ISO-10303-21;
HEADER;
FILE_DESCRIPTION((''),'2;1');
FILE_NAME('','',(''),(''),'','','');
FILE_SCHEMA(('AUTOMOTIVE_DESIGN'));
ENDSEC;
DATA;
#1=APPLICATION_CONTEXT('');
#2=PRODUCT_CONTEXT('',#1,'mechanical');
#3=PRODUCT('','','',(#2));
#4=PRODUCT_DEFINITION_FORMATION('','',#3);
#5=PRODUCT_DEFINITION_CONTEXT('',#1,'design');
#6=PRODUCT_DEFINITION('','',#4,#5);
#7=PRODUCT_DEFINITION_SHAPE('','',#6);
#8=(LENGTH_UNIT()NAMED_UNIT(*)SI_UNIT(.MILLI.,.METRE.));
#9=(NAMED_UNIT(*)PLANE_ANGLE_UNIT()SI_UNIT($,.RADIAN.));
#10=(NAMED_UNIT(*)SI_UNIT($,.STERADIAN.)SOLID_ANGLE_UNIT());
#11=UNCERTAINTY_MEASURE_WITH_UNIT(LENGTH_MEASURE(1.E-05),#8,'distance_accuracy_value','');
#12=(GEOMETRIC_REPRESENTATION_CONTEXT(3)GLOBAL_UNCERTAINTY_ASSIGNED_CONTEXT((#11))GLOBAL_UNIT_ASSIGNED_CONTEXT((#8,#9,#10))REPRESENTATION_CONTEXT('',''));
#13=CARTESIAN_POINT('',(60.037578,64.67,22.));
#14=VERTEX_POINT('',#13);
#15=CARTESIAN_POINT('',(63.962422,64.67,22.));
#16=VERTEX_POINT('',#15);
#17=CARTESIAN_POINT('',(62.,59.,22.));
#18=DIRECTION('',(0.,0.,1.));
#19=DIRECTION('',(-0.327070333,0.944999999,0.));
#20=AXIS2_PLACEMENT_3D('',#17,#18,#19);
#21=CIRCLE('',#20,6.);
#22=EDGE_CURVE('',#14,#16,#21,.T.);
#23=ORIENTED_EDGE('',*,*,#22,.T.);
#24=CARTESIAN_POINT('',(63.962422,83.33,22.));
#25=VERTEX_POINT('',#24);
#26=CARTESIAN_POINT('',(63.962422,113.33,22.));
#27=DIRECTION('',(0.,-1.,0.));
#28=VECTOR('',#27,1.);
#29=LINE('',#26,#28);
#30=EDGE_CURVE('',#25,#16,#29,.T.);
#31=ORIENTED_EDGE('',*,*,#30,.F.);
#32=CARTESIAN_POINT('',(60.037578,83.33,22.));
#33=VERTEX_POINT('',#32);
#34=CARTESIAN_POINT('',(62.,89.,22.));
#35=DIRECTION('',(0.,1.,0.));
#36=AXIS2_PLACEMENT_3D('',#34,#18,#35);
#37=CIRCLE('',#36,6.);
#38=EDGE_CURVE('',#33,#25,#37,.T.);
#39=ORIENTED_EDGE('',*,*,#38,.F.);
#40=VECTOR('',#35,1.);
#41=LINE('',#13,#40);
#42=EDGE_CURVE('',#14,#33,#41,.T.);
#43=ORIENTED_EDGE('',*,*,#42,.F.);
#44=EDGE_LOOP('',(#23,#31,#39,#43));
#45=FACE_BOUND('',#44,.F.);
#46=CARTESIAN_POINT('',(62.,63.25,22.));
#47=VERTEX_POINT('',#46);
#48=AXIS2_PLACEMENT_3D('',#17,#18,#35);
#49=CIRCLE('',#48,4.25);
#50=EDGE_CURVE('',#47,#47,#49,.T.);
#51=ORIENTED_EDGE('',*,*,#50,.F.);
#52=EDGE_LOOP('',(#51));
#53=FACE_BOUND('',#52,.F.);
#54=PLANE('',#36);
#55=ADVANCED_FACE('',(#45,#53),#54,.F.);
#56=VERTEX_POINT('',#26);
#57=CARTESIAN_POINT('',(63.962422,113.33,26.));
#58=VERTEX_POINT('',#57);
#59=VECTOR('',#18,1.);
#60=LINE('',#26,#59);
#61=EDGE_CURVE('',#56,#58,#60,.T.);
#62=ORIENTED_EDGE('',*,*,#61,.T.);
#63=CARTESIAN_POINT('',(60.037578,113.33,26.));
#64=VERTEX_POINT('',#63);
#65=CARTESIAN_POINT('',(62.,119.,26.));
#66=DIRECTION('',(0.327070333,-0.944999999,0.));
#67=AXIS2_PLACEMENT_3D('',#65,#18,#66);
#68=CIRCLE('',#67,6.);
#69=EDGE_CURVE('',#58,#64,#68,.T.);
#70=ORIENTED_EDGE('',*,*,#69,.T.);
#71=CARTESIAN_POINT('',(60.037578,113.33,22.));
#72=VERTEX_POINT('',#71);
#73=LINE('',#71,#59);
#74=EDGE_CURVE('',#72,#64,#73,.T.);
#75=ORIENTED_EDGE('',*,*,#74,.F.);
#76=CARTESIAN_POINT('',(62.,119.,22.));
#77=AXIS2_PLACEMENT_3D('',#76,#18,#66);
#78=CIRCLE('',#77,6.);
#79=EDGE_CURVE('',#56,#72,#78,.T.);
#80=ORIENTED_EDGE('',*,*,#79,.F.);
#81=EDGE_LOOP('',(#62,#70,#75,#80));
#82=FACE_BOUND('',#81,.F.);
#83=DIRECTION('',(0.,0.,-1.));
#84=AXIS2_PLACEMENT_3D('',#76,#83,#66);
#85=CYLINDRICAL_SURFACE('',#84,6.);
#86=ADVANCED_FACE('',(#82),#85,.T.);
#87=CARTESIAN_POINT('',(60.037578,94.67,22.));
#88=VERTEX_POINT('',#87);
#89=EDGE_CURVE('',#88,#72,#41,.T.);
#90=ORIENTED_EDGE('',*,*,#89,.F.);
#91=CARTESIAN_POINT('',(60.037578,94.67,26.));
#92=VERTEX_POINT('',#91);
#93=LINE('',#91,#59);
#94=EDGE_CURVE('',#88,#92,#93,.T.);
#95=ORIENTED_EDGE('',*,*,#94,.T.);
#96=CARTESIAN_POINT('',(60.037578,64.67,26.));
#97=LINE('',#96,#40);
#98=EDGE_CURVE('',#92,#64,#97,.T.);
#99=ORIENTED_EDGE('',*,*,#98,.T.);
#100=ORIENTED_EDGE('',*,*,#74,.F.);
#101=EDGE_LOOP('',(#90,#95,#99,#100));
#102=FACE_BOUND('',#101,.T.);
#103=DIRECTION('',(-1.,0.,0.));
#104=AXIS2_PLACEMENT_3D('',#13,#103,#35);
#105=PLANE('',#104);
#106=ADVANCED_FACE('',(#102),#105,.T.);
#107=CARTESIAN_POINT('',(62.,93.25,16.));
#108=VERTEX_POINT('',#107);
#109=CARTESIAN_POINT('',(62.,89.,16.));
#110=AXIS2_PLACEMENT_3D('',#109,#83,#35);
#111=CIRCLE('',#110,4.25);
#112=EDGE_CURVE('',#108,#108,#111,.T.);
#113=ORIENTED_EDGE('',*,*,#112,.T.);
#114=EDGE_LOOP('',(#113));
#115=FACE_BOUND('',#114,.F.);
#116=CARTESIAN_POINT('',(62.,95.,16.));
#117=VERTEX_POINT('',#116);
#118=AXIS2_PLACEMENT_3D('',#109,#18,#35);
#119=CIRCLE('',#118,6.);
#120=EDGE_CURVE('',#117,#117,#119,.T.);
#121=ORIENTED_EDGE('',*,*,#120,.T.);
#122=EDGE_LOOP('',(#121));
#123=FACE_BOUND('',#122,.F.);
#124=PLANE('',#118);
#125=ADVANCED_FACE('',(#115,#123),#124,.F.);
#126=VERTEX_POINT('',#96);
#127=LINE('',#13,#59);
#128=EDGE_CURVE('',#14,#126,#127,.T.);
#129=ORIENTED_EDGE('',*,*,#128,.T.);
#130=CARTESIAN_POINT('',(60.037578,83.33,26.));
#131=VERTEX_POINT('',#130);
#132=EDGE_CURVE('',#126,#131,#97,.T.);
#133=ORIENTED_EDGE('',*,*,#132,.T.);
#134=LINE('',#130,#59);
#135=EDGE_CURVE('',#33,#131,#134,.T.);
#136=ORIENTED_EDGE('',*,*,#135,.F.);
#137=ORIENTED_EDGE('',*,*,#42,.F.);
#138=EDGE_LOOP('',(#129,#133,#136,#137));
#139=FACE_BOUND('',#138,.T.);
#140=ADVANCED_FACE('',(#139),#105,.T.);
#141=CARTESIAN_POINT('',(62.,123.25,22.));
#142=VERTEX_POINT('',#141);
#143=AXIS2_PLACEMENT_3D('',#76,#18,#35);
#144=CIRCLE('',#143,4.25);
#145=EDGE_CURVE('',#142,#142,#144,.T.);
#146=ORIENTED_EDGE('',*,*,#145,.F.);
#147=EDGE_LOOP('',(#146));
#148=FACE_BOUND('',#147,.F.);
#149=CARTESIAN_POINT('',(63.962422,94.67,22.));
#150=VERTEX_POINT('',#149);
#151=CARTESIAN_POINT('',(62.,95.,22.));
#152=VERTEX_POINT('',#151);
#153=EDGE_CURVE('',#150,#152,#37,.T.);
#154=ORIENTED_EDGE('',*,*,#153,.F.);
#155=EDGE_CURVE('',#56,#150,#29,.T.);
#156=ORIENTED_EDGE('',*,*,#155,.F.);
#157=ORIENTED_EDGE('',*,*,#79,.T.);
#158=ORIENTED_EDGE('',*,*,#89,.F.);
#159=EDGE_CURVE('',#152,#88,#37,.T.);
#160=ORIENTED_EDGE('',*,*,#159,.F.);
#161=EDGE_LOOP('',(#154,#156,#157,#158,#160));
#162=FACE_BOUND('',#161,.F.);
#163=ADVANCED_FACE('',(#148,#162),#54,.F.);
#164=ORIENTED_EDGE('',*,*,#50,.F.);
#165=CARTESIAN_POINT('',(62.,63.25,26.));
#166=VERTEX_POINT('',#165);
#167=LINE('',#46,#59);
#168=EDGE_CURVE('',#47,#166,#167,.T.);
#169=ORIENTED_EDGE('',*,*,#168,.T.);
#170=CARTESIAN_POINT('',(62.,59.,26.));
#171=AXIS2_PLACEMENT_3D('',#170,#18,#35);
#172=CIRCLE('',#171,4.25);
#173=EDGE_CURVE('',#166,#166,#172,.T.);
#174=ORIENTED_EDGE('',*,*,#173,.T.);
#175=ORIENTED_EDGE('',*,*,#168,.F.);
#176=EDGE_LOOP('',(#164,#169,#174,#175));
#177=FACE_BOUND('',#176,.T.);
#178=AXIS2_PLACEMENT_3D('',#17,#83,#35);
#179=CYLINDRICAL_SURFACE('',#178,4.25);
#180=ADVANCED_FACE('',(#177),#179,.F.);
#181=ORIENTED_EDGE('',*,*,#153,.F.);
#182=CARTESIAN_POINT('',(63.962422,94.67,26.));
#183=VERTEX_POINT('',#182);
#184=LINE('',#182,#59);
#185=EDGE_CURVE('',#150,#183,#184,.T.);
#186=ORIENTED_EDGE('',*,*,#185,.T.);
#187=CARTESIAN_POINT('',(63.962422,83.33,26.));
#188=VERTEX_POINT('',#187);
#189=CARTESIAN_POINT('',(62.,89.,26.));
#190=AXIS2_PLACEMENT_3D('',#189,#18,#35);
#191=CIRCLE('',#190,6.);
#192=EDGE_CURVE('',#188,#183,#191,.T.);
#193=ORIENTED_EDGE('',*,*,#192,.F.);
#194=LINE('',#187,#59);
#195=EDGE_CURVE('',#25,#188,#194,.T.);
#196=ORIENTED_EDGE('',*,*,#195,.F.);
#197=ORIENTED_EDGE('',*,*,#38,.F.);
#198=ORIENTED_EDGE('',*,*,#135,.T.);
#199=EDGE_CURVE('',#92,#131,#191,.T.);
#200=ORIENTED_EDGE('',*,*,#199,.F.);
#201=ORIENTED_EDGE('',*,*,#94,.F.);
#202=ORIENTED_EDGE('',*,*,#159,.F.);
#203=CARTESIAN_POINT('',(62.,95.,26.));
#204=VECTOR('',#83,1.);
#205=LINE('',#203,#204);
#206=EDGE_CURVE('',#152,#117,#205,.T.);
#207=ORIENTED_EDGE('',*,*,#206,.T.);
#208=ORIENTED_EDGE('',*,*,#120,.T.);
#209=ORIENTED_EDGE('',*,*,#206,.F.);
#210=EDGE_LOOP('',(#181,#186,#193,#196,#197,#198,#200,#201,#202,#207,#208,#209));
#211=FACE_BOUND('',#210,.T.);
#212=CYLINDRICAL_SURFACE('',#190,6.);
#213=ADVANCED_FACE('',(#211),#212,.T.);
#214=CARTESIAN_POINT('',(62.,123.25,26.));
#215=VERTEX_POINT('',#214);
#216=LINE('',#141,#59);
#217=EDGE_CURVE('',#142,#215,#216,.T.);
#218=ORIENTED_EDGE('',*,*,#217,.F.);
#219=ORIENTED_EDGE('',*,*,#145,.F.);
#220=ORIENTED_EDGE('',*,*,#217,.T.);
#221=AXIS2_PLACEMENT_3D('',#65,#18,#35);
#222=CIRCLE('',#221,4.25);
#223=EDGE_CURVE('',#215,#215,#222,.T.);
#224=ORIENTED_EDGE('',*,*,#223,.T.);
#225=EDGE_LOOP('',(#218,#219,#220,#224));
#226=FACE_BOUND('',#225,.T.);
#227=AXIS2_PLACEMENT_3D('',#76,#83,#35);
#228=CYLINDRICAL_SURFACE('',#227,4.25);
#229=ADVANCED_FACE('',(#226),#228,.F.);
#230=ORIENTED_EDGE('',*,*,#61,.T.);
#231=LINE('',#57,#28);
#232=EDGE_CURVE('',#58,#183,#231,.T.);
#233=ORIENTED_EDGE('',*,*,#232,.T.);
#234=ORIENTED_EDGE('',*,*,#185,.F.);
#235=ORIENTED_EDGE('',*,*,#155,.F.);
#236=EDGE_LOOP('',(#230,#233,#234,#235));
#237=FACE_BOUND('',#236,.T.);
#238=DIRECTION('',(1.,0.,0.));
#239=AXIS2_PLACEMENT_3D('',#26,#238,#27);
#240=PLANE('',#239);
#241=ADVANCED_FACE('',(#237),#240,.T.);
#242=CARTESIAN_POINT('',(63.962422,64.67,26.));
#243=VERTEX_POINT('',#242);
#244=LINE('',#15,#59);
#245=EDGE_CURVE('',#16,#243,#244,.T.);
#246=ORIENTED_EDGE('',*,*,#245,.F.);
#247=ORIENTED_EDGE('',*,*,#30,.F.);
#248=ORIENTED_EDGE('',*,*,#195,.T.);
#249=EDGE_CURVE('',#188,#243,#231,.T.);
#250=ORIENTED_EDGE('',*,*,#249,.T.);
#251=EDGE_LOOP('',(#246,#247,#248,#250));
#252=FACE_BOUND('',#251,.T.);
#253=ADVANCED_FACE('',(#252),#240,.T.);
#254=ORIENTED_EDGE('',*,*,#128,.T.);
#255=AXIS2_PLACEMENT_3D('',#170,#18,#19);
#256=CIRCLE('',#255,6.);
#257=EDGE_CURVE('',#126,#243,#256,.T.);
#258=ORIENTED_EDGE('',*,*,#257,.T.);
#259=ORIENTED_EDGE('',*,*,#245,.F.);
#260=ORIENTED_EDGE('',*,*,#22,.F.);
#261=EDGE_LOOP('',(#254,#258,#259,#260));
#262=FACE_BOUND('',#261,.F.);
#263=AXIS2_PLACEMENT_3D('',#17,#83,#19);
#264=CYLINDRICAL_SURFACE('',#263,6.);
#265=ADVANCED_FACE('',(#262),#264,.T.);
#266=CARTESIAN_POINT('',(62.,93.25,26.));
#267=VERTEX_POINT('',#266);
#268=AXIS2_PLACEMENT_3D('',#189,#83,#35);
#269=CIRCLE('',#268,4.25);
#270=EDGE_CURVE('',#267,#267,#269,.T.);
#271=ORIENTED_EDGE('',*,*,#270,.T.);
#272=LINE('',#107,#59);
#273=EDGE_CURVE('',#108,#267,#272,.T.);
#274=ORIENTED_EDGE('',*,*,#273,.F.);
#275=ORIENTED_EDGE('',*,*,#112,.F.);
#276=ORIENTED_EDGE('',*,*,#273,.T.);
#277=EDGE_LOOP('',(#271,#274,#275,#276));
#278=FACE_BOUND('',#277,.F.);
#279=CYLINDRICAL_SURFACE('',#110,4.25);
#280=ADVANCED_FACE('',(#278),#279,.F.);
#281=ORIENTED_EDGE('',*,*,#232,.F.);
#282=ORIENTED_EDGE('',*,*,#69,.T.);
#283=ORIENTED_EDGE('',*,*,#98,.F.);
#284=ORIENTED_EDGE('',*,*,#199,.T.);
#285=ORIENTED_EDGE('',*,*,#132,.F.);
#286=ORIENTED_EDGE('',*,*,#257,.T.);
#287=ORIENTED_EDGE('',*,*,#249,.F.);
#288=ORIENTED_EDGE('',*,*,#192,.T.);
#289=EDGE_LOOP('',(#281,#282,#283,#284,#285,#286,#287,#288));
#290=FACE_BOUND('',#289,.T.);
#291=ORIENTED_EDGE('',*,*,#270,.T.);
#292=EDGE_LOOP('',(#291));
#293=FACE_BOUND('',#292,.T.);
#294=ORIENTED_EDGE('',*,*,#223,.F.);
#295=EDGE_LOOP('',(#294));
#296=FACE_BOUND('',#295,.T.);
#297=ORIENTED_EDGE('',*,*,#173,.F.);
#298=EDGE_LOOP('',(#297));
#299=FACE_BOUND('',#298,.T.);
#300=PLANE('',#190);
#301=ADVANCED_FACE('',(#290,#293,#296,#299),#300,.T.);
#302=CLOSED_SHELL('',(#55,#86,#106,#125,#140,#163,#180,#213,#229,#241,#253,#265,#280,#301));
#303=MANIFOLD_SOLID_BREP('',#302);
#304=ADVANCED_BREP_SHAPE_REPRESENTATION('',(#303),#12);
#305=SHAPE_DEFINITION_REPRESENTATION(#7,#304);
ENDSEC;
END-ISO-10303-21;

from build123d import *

# Parameters (mm, degrees)
SKETCH036_R             = 4.25
PAD014_DEPTH            = 4
SKETCH087_R             = 6
PAD030_DEPTH            = 10
SKETCH088_R             = 4.25
POCKET039_DEPTH         = 10
BODY005_PLACEMENT_ANGLE = 90


with BuildPart() as part:
    # Sketch036 → Pad014 (new body)
    with BuildSketch(Plane.XY):
        with BuildLine():
            ThreePointArc((5.67, 1.962422), (-6, 0), (5.67, -1.962422))
            Line((54.33, -1.962422), (5.67, -1.962422))
            ThreePointArc((54.33, -1.962422), (66, 0), (54.33, 1.962422))
            Line((5.67, 1.962422), (54.33, 1.962422))
        make_face()
        Circle(SKETCH036_R, mode=Mode.SUBTRACT)
        with Locations((60, 0)):
            Circle(SKETCH036_R, mode=Mode.SUBTRACT)
    extrude(amount=PAD014_DEPTH)

    # Sketch087 (on Face8 of Pad014) → Pad030 (join)
    with BuildSketch(Plane.XY.offset(4)):
        with Locations((30, 0)):
            Circle(SKETCH087_R)
    extrude(amount=-PAD030_DEPTH)

    # Sketch088 (on Face14 of Pad030) → Pocket039 (cut)
    with BuildSketch(Plane(origin=(0, 0, -6), x_dir=(1, 0, 0), z_dir=(0, 0, -1))):
        with Locations((30, 0)):
            Circle(SKETCH088_R)
    extrude(amount=-POCKET039_DEPTH, mode=Mode.SUBTRACT)


with BuildPart() as part_1:
    # Body005 placement: moved
    add(part.part.moved(Location((62, 59, 22))).rotate(Axis((62, 59, 22), (0, 0, 1)), BODY005_PLACEMENT_ANGLE))


solid = part_1.part
